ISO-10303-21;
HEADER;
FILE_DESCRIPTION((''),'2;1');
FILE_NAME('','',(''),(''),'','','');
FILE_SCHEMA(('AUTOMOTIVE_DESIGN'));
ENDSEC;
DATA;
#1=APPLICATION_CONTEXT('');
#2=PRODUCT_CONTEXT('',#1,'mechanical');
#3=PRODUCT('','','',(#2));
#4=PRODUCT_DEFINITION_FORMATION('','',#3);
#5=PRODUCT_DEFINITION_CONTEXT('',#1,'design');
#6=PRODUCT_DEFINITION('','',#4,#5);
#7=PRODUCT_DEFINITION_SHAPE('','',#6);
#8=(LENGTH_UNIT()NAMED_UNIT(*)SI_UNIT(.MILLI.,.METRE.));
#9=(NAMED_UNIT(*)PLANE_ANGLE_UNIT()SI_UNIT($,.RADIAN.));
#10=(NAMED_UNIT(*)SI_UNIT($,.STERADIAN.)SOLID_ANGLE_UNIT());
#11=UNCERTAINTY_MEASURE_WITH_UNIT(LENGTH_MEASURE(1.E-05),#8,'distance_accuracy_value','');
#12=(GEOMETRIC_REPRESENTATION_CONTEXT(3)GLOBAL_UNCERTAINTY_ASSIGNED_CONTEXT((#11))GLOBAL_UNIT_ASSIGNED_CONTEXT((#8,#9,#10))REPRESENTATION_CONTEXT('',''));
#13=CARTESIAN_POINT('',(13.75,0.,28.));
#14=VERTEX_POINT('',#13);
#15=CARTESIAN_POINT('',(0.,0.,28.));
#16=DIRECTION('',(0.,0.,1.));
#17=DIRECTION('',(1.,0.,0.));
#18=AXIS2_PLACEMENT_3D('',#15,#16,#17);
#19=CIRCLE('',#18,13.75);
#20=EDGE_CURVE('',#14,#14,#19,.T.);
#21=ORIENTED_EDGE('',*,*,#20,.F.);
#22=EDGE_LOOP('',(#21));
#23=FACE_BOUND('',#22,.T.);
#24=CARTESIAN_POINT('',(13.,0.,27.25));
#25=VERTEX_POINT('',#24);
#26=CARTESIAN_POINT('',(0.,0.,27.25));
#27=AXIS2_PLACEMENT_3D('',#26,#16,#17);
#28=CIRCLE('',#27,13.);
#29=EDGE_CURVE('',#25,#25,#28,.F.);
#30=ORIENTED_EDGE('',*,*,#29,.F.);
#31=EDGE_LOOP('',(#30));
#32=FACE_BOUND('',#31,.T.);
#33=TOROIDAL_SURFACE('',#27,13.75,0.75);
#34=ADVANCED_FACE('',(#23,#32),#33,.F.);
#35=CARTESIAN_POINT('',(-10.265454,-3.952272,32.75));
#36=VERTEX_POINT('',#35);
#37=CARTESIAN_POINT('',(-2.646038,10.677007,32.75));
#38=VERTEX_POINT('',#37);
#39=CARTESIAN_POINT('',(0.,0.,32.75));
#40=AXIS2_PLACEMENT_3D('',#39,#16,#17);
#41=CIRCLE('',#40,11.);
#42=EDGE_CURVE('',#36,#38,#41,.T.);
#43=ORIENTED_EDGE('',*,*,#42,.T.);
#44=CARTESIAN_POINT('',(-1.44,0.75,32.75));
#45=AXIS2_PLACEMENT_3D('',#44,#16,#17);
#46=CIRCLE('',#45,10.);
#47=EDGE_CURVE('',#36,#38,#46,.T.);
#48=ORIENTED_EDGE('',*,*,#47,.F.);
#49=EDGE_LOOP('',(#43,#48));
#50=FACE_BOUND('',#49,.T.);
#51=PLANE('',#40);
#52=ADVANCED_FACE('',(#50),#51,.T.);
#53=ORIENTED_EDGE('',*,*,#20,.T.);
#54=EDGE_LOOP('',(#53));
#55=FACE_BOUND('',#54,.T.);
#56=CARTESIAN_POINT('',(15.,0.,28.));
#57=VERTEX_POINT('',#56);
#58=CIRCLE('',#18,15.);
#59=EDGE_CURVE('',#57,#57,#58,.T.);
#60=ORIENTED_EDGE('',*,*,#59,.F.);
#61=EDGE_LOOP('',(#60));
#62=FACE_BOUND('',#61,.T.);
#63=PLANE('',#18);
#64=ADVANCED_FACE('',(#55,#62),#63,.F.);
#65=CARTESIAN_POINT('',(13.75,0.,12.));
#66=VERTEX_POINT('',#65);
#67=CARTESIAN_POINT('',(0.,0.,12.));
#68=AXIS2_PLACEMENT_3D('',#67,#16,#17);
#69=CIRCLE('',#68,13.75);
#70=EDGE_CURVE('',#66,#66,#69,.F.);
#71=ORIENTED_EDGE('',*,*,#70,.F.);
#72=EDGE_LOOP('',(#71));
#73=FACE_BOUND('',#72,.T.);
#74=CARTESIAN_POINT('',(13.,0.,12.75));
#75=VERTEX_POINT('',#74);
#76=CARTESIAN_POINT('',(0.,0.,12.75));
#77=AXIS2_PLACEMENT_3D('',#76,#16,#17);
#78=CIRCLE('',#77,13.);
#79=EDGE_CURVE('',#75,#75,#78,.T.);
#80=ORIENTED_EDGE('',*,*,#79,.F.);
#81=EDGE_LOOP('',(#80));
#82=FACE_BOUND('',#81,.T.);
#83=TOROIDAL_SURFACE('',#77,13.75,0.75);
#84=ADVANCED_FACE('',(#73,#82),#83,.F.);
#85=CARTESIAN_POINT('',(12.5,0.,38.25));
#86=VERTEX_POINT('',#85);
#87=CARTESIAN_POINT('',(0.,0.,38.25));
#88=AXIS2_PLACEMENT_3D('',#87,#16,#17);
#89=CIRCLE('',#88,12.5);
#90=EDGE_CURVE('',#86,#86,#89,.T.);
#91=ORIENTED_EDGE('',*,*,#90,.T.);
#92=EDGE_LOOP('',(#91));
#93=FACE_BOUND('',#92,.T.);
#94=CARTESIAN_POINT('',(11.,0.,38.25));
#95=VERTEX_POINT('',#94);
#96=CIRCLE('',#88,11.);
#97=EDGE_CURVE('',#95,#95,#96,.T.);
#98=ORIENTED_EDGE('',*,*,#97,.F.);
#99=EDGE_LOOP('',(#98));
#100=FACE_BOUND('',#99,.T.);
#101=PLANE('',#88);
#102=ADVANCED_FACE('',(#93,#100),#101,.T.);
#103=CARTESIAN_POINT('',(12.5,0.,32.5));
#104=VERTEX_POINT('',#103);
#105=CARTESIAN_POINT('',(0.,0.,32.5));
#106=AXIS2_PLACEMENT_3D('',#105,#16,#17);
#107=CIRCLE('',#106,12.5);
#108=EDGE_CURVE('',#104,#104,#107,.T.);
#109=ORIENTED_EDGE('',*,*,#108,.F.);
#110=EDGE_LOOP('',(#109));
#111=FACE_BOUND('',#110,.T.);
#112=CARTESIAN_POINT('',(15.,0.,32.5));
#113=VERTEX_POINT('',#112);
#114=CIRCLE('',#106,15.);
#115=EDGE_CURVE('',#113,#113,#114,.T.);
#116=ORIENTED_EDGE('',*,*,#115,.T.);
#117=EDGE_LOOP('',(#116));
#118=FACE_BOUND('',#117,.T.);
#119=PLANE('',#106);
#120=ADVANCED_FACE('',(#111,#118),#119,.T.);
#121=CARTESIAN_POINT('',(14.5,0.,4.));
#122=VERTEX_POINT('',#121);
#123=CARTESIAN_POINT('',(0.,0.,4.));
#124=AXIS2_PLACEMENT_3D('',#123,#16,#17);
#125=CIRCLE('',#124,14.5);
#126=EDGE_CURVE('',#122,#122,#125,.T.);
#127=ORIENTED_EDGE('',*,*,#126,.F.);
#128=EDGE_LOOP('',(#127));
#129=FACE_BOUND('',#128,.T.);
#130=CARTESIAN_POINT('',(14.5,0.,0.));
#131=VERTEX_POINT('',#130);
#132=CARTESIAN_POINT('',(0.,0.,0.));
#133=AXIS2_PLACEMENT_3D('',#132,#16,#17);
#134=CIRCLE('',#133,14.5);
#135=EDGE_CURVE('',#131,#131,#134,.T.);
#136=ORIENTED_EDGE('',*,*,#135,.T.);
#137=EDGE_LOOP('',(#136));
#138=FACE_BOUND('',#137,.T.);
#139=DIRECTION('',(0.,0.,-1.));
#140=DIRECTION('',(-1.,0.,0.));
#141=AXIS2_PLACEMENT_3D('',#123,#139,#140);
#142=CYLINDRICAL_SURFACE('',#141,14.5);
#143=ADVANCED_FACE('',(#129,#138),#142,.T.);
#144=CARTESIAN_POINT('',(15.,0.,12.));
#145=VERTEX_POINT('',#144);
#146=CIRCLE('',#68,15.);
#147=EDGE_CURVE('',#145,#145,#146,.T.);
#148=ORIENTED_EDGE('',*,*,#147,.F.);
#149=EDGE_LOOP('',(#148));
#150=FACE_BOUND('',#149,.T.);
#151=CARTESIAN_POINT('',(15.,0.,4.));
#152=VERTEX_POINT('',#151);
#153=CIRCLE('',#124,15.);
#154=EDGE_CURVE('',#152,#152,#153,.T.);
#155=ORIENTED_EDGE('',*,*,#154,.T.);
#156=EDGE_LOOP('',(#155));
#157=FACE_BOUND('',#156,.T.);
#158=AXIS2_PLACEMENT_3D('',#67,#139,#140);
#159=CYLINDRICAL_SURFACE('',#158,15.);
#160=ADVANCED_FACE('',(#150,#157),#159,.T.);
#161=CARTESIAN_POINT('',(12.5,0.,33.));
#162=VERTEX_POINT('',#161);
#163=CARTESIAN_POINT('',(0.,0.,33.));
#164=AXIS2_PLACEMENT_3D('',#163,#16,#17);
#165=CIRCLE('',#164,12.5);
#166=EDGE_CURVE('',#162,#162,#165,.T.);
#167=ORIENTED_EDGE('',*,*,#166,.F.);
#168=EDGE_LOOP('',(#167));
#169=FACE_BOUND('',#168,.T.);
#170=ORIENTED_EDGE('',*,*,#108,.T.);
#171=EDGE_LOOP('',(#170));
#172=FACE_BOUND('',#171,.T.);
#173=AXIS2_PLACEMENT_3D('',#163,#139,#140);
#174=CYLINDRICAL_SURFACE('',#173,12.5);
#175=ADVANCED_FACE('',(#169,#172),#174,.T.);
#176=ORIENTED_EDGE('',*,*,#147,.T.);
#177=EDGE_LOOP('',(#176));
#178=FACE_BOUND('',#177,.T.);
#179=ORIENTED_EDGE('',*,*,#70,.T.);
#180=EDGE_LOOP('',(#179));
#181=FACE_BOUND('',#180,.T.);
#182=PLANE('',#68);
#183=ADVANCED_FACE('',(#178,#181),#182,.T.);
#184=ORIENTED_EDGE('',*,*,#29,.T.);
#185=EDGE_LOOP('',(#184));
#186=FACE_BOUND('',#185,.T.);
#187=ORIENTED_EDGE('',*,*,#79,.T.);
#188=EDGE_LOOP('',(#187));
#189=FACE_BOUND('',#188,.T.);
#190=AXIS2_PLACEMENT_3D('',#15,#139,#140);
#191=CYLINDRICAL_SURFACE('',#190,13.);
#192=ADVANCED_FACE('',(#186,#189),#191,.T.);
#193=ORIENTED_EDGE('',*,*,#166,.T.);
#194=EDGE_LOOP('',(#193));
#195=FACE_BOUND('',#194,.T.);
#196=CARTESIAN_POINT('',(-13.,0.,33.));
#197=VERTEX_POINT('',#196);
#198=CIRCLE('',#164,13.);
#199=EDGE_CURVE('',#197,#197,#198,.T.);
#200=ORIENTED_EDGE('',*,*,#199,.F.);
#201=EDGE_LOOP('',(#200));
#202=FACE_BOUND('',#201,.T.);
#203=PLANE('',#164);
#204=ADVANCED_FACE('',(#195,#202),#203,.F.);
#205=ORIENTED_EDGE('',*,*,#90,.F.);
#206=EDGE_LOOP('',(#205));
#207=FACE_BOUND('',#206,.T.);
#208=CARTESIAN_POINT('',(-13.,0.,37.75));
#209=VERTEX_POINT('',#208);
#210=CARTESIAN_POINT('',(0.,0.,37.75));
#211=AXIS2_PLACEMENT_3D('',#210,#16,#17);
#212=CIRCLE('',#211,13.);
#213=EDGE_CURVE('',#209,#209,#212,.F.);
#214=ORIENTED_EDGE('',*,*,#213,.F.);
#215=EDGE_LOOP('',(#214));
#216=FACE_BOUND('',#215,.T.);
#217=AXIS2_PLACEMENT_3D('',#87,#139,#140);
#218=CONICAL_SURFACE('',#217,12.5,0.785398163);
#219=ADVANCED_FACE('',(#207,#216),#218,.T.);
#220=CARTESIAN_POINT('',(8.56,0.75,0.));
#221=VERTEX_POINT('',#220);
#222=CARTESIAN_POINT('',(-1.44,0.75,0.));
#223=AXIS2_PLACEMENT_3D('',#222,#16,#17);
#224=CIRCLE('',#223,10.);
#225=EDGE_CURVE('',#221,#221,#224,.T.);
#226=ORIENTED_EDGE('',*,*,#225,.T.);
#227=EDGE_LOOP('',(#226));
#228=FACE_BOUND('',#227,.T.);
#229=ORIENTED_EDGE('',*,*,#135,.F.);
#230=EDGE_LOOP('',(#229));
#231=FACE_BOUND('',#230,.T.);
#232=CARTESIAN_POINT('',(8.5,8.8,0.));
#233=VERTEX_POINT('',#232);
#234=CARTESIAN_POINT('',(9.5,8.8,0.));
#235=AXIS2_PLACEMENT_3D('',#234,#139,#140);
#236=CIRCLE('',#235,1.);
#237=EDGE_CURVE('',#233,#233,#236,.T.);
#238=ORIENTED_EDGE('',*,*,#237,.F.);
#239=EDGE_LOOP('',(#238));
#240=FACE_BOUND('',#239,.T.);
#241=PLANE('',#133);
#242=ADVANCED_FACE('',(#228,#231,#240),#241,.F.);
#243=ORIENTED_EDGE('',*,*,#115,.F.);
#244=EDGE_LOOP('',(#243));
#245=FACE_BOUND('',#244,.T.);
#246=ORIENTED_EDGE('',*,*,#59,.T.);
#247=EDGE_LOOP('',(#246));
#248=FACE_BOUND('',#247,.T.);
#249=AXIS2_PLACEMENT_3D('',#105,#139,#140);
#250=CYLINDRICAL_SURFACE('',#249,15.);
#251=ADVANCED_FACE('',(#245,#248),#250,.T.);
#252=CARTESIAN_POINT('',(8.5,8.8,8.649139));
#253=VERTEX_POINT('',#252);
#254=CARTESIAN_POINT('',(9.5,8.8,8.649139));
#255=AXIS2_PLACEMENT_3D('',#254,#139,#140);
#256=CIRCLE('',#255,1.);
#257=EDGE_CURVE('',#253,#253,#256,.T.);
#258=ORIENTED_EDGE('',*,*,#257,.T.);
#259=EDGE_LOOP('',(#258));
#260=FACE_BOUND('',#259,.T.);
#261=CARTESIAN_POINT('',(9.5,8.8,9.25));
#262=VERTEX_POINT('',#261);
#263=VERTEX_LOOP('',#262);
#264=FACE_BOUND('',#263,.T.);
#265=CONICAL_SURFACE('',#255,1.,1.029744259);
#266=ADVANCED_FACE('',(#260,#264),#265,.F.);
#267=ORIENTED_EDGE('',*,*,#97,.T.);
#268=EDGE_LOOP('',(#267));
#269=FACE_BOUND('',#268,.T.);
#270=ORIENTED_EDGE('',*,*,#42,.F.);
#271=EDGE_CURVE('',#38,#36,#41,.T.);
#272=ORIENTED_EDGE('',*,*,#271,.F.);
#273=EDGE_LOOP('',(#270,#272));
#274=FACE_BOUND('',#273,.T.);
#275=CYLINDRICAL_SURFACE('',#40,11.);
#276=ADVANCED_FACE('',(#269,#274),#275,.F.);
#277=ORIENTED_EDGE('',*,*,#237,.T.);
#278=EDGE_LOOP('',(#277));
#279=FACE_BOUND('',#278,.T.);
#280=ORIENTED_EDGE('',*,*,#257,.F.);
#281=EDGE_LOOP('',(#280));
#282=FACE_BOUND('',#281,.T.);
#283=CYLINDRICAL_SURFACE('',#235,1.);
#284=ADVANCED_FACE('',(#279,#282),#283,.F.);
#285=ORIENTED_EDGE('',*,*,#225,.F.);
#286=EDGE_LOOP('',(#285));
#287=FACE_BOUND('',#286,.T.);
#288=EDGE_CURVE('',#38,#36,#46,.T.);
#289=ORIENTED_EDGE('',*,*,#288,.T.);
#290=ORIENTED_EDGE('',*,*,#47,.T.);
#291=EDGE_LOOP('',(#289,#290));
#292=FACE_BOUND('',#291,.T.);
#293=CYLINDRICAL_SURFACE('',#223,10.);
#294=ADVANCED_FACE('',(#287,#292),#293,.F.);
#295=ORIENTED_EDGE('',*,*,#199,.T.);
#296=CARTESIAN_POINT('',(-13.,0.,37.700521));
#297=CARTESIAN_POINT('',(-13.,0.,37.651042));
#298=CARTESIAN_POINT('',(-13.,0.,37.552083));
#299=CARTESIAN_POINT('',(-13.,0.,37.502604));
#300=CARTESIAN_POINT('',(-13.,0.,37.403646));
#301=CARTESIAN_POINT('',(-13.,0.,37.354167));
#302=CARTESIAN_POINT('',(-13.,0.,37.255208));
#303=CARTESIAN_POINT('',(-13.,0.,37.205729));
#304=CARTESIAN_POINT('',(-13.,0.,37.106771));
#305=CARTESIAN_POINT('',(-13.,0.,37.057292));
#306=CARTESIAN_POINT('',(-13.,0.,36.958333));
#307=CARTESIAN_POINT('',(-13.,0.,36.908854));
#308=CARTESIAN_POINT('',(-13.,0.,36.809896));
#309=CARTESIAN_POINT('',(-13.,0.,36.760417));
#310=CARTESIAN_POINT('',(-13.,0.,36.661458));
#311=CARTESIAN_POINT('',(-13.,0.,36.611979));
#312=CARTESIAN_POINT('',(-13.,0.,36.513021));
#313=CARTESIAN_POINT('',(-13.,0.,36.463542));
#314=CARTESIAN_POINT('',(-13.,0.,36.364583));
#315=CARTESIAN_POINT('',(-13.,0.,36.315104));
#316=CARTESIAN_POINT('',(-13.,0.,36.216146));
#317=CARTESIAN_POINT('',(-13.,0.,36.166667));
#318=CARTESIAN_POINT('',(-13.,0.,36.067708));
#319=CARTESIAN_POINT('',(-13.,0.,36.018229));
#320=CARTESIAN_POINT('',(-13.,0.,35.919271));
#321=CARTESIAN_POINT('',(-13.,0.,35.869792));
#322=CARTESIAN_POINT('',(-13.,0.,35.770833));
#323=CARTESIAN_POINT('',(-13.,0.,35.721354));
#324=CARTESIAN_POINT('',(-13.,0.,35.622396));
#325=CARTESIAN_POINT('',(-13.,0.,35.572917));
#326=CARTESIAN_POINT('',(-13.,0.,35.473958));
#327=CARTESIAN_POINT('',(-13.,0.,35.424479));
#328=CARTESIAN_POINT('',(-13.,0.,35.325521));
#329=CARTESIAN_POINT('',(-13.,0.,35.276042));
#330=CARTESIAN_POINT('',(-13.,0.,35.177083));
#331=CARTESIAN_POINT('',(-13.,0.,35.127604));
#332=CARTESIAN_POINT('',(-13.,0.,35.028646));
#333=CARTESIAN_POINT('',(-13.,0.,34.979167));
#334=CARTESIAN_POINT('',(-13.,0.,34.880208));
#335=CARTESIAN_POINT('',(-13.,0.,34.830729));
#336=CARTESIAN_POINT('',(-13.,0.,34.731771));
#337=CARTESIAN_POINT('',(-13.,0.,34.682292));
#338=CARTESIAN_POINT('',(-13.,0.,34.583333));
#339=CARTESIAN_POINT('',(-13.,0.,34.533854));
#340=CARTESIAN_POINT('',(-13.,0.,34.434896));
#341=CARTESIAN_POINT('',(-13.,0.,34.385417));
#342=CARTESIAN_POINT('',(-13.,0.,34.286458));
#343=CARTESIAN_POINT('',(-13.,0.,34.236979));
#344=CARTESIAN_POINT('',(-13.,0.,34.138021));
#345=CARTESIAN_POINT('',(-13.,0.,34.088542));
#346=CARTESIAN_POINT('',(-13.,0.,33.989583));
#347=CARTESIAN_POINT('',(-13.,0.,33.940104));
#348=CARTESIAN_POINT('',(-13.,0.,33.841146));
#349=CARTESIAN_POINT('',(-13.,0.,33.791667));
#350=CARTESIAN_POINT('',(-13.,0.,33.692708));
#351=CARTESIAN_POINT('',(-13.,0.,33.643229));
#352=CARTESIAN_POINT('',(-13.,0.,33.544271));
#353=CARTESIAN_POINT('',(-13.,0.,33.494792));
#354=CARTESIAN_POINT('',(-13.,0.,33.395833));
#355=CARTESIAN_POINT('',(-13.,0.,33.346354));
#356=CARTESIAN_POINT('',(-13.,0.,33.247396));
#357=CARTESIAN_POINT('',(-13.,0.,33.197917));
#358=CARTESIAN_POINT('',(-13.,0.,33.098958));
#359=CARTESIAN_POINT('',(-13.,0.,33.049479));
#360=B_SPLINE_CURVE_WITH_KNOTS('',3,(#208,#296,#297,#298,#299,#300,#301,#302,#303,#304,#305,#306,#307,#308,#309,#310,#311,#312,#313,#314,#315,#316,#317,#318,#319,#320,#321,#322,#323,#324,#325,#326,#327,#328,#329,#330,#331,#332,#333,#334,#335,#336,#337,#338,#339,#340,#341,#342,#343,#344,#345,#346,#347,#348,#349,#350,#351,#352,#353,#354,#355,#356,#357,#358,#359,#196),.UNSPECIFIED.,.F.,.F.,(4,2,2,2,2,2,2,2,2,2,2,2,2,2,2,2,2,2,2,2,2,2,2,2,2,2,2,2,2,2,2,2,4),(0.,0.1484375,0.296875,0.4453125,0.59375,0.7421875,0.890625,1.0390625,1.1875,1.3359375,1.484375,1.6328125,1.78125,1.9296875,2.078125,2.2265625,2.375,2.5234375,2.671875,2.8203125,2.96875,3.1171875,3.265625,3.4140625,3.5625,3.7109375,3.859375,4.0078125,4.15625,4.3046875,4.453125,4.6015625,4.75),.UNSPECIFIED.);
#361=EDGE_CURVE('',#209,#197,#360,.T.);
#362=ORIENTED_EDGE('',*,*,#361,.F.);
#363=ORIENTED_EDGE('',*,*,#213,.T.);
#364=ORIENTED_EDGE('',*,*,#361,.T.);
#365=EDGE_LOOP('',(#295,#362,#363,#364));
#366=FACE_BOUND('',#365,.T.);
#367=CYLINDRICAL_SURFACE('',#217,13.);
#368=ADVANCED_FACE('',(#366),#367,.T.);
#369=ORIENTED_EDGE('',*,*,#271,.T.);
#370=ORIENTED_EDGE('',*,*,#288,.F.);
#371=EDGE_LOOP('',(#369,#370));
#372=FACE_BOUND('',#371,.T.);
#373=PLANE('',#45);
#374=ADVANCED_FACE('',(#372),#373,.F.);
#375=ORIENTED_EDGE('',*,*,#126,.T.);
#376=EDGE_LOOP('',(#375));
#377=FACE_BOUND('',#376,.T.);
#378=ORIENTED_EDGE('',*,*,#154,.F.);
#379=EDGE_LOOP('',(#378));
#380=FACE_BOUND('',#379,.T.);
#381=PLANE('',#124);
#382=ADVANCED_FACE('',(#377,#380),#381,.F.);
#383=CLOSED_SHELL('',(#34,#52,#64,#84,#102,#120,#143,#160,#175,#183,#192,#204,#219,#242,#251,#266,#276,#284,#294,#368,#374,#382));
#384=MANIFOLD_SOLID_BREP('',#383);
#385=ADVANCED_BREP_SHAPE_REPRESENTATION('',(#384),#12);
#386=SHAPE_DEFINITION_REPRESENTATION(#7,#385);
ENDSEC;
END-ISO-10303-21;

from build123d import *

# Parameters (mm, degrees)
SKETCH1_R                    = 14.5
BOSS_EXTRUDE1_DEPTH          = 4
SKETCH2_R                    = 15
BOSS_EXTRUDE2_DEPTH          = 8
SKETCH3_R                    = 13
BOSS_EXTRUDE3_DEPTH          = 16
SKETCH4_R                    = 15
BOSS_EXTRUDE4_DEPTH          = 4.5
SKETCH5_R                    = 12.5
BOSS_EXTRUDE5_DEPTH          = 0.5
SKETCH6_R                    = 13
BOSS_EXTRUDE6_DEPTH          = 5.25
SKETCH7_R                    = 11
CUT_EXTRUDE1_DEPTH           = 5.5
SKETCH8_R                    = 10
CUT_EXTRUDE2_DEPTH           = 32.75
FILLET1_R                    = 0.75
CHAMFER1_SIZE                = 0.5
F_2_0_2_DIAMETER_HOLE3_D     = 2
F_2_0_2_DIAMETER_HOLE3_DEPTH = 8.649139381
F_2_0_2_DIAMETER_HOLE3_TIP   = 0.600860619


with BuildPart() as part:
    # Sketch1 → Boss-Extrude1 (new body)
    with BuildSketch(Plane.XY):
        Circle(SKETCH1_R)
    extrude(amount=BOSS_EXTRUDE1_DEPTH)

    # Sketch2 → Boss-Extrude2 (add)
    with BuildSketch(Plane.XY.offset(4)):
        Circle(SKETCH2_R)
    extrude(amount=BOSS_EXTRUDE2_DEPTH)

    # Sketch3 → Boss-Extrude3 (add)
    with BuildSketch(Plane.XY.offset(12)):
        Circle(SKETCH3_R)
    extrude(amount=BOSS_EXTRUDE3_DEPTH)

    # Sketch4 → Boss-Extrude4 (add)
    with BuildSketch(Plane.XY.offset(28)):
        Circle(SKETCH4_R)
    extrude(amount=BOSS_EXTRUDE4_DEPTH)

    # Sketch5 → Boss-Extrude5 (add)
    with BuildSketch(Plane.XY.offset(32.5)):
        Circle(SKETCH5_R)
    extrude(amount=BOSS_EXTRUDE5_DEPTH)

    # Sketch6 → Boss-Extrude6 (add)
    with BuildSketch(Plane.XY.offset(33)):
        Circle(SKETCH6_R)
    extrude(amount=BOSS_EXTRUDE6_DEPTH)

    # Sketch7 → Cut-Extrude1 (cut)
    with BuildSketch(Plane.XY.offset(38.25)):
        Circle(SKETCH7_R)
    extrude(amount=-CUT_EXTRUDE1_DEPTH, mode=Mode.SUBTRACT)

    # Sketch8 → Cut-Extrude2 (cut)
    with BuildSketch(Plane.XY.offset(32.75)):
        with Locations((-1.44, 0.75)):
            Circle(SKETCH8_R)
    extrude(amount=-CUT_EXTRUDE2_DEPTH, mode=Mode.SUBTRACT)

    # Fillet1
    fillet1_edges = [part.edges().sort_by_distance(p)[0] for p in [
        (-13, 0, 12),
        (-13, 0, 28),
    ]]
    fillet(fillet1_edges, radius=FILLET1_R)

    # Chamfer1
    chamfer1_edges = [part.edges().sort_by_distance(p)[0] for p in [
        (-13, 0, 38.25),
    ]]
    chamfer(chamfer1_edges, length=CHAMFER1_SIZE)

    # Ø2.0 (2) Diameter Hole3
    with Locations(Plane(origin=(0, 0, 0), x_dir=(-1, 0, 0), z_dir=(0, 0, -1))):
        with Locations((-9.5, 8.8)):
            Hole(F_2_0_2_DIAMETER_HOLE3_D / 2, depth=F_2_0_2_DIAMETER_HOLE3_DEPTH)
            with Locations((0, 0, -(F_2_0_2_DIAMETER_HOLE3_DEPTH + F_2_0_2_DIAMETER_HOLE3_TIP / 2))):  # 118° drill point
                Cone(0, F_2_0_2_DIAMETER_HOLE3_D / 2, F_2_0_2_DIAMETER_HOLE3_TIP, mode=Mode.SUBTRACT)


solid = part.part
